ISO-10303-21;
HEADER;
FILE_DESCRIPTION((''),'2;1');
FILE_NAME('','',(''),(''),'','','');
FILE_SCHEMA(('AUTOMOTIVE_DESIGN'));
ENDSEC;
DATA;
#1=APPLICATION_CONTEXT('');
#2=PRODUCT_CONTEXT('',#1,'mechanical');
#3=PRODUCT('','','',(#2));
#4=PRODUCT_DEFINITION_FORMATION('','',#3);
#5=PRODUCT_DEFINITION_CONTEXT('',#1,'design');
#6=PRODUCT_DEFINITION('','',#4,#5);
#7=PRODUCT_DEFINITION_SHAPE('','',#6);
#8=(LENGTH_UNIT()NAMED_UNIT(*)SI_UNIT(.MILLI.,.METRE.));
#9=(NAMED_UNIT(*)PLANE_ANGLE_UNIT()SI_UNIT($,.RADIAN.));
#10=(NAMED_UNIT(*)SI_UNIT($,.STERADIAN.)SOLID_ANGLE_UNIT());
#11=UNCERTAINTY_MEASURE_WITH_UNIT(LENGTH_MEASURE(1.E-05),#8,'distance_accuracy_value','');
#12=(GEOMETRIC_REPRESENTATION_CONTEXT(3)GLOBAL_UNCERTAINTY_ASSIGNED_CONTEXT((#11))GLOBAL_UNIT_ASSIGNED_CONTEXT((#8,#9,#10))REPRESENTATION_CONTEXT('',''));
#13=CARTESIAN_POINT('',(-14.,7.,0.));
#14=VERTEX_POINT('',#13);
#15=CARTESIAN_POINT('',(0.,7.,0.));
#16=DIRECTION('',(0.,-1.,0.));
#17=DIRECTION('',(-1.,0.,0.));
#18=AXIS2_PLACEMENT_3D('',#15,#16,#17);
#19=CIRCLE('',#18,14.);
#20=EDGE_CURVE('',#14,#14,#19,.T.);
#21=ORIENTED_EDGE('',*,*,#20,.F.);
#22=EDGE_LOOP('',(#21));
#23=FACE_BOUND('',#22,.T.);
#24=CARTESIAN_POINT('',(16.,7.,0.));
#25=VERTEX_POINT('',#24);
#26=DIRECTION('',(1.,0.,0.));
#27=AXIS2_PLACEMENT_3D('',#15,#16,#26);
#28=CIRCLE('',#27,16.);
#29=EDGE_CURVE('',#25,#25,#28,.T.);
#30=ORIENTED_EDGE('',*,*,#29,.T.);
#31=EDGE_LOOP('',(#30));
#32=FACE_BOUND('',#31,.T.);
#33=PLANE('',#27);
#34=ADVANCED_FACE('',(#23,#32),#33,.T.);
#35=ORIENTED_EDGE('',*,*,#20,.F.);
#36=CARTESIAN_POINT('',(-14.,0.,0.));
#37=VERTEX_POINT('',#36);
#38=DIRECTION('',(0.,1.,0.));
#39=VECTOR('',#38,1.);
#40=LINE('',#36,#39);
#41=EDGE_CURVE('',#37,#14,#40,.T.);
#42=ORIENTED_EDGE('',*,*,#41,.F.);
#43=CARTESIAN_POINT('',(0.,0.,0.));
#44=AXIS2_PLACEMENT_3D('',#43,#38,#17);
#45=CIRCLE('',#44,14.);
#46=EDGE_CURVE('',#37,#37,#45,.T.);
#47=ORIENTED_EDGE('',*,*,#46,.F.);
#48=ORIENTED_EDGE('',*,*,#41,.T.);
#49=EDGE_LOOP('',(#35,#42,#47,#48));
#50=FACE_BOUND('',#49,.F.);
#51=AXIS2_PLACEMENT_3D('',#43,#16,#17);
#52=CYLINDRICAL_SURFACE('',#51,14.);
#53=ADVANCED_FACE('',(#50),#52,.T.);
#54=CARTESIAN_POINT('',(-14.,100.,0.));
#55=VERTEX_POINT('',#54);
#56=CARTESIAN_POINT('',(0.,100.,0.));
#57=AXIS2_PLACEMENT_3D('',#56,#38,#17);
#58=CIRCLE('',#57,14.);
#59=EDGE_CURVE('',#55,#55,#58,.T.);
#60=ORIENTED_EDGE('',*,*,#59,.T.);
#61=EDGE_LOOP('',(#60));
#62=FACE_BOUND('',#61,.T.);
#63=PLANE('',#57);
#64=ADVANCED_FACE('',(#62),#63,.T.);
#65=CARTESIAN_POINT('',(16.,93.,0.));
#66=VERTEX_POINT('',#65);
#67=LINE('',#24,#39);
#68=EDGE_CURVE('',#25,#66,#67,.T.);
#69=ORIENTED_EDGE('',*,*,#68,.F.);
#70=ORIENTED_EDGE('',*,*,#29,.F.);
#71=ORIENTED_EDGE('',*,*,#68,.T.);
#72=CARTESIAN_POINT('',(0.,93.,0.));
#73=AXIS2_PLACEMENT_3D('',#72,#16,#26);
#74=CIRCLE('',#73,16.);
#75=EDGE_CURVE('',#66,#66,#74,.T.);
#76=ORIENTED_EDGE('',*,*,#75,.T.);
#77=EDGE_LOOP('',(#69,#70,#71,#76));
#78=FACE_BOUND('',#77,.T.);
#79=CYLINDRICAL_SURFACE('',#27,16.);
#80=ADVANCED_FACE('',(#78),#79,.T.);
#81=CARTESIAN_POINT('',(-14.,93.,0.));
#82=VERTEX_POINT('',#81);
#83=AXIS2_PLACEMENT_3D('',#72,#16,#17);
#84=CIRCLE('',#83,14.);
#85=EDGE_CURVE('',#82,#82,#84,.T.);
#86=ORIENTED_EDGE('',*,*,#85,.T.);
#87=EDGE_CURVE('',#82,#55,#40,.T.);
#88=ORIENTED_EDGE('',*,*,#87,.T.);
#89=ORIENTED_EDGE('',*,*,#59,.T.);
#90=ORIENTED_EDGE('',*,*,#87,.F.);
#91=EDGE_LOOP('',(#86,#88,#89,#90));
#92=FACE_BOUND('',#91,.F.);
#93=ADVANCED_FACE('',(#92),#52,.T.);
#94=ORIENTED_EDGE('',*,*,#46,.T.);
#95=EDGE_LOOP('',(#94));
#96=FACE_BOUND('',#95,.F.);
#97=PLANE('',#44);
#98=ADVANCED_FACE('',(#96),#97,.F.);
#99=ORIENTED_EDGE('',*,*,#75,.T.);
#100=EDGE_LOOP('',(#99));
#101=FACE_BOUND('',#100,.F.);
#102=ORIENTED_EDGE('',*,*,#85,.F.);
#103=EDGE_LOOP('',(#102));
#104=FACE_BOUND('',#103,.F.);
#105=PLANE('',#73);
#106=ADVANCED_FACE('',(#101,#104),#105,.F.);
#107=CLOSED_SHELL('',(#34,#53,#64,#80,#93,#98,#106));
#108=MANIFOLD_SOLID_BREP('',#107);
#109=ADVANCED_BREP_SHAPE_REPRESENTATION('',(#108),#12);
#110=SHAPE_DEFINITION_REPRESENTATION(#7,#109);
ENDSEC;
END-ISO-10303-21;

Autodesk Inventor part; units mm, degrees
ref_plane "YZ Plane" through (0, 0, 0) normal (1, 0, 0) x (0, 1, 0)
ref_plane "XZ Plane" through (0, 0, 0) normal (0, 1, 0) x (-1, 0, 0)
sketch "Sketch1" plane through (0, 0, 0) normal (0, 1, 0) x (-1, 0, 0)
  circle A0 centre (0, 0) radius 14
  dimension "d0" = 28
extrude "Extrusion1" add sketch "Sketch1" along normal blind 100
ref_plane "Work Plane1" through (0, 7, 0) normal (0, -1, 0) x (1, 0, 0)
sketch "Sketch2" plane through (0, 7, 0) normal (0, -1, 0) x (1, 0, 0)
  circle A0 centre (0, 0) radius 16
  dimension "d4" = 32
extrude "Extrusion2" add sketch "Sketch2" against normal blind 86
thread "Thread1" size "M30x1.5" class "6g" standard "ANSI Metric M Profile" length 7
thread "Thread2" size "M30x1.5" class "6g" standard "ANSI Metric M Profile" length 7
properties part number "Support Tube (Filament Holder" material "ABS Plastic"
